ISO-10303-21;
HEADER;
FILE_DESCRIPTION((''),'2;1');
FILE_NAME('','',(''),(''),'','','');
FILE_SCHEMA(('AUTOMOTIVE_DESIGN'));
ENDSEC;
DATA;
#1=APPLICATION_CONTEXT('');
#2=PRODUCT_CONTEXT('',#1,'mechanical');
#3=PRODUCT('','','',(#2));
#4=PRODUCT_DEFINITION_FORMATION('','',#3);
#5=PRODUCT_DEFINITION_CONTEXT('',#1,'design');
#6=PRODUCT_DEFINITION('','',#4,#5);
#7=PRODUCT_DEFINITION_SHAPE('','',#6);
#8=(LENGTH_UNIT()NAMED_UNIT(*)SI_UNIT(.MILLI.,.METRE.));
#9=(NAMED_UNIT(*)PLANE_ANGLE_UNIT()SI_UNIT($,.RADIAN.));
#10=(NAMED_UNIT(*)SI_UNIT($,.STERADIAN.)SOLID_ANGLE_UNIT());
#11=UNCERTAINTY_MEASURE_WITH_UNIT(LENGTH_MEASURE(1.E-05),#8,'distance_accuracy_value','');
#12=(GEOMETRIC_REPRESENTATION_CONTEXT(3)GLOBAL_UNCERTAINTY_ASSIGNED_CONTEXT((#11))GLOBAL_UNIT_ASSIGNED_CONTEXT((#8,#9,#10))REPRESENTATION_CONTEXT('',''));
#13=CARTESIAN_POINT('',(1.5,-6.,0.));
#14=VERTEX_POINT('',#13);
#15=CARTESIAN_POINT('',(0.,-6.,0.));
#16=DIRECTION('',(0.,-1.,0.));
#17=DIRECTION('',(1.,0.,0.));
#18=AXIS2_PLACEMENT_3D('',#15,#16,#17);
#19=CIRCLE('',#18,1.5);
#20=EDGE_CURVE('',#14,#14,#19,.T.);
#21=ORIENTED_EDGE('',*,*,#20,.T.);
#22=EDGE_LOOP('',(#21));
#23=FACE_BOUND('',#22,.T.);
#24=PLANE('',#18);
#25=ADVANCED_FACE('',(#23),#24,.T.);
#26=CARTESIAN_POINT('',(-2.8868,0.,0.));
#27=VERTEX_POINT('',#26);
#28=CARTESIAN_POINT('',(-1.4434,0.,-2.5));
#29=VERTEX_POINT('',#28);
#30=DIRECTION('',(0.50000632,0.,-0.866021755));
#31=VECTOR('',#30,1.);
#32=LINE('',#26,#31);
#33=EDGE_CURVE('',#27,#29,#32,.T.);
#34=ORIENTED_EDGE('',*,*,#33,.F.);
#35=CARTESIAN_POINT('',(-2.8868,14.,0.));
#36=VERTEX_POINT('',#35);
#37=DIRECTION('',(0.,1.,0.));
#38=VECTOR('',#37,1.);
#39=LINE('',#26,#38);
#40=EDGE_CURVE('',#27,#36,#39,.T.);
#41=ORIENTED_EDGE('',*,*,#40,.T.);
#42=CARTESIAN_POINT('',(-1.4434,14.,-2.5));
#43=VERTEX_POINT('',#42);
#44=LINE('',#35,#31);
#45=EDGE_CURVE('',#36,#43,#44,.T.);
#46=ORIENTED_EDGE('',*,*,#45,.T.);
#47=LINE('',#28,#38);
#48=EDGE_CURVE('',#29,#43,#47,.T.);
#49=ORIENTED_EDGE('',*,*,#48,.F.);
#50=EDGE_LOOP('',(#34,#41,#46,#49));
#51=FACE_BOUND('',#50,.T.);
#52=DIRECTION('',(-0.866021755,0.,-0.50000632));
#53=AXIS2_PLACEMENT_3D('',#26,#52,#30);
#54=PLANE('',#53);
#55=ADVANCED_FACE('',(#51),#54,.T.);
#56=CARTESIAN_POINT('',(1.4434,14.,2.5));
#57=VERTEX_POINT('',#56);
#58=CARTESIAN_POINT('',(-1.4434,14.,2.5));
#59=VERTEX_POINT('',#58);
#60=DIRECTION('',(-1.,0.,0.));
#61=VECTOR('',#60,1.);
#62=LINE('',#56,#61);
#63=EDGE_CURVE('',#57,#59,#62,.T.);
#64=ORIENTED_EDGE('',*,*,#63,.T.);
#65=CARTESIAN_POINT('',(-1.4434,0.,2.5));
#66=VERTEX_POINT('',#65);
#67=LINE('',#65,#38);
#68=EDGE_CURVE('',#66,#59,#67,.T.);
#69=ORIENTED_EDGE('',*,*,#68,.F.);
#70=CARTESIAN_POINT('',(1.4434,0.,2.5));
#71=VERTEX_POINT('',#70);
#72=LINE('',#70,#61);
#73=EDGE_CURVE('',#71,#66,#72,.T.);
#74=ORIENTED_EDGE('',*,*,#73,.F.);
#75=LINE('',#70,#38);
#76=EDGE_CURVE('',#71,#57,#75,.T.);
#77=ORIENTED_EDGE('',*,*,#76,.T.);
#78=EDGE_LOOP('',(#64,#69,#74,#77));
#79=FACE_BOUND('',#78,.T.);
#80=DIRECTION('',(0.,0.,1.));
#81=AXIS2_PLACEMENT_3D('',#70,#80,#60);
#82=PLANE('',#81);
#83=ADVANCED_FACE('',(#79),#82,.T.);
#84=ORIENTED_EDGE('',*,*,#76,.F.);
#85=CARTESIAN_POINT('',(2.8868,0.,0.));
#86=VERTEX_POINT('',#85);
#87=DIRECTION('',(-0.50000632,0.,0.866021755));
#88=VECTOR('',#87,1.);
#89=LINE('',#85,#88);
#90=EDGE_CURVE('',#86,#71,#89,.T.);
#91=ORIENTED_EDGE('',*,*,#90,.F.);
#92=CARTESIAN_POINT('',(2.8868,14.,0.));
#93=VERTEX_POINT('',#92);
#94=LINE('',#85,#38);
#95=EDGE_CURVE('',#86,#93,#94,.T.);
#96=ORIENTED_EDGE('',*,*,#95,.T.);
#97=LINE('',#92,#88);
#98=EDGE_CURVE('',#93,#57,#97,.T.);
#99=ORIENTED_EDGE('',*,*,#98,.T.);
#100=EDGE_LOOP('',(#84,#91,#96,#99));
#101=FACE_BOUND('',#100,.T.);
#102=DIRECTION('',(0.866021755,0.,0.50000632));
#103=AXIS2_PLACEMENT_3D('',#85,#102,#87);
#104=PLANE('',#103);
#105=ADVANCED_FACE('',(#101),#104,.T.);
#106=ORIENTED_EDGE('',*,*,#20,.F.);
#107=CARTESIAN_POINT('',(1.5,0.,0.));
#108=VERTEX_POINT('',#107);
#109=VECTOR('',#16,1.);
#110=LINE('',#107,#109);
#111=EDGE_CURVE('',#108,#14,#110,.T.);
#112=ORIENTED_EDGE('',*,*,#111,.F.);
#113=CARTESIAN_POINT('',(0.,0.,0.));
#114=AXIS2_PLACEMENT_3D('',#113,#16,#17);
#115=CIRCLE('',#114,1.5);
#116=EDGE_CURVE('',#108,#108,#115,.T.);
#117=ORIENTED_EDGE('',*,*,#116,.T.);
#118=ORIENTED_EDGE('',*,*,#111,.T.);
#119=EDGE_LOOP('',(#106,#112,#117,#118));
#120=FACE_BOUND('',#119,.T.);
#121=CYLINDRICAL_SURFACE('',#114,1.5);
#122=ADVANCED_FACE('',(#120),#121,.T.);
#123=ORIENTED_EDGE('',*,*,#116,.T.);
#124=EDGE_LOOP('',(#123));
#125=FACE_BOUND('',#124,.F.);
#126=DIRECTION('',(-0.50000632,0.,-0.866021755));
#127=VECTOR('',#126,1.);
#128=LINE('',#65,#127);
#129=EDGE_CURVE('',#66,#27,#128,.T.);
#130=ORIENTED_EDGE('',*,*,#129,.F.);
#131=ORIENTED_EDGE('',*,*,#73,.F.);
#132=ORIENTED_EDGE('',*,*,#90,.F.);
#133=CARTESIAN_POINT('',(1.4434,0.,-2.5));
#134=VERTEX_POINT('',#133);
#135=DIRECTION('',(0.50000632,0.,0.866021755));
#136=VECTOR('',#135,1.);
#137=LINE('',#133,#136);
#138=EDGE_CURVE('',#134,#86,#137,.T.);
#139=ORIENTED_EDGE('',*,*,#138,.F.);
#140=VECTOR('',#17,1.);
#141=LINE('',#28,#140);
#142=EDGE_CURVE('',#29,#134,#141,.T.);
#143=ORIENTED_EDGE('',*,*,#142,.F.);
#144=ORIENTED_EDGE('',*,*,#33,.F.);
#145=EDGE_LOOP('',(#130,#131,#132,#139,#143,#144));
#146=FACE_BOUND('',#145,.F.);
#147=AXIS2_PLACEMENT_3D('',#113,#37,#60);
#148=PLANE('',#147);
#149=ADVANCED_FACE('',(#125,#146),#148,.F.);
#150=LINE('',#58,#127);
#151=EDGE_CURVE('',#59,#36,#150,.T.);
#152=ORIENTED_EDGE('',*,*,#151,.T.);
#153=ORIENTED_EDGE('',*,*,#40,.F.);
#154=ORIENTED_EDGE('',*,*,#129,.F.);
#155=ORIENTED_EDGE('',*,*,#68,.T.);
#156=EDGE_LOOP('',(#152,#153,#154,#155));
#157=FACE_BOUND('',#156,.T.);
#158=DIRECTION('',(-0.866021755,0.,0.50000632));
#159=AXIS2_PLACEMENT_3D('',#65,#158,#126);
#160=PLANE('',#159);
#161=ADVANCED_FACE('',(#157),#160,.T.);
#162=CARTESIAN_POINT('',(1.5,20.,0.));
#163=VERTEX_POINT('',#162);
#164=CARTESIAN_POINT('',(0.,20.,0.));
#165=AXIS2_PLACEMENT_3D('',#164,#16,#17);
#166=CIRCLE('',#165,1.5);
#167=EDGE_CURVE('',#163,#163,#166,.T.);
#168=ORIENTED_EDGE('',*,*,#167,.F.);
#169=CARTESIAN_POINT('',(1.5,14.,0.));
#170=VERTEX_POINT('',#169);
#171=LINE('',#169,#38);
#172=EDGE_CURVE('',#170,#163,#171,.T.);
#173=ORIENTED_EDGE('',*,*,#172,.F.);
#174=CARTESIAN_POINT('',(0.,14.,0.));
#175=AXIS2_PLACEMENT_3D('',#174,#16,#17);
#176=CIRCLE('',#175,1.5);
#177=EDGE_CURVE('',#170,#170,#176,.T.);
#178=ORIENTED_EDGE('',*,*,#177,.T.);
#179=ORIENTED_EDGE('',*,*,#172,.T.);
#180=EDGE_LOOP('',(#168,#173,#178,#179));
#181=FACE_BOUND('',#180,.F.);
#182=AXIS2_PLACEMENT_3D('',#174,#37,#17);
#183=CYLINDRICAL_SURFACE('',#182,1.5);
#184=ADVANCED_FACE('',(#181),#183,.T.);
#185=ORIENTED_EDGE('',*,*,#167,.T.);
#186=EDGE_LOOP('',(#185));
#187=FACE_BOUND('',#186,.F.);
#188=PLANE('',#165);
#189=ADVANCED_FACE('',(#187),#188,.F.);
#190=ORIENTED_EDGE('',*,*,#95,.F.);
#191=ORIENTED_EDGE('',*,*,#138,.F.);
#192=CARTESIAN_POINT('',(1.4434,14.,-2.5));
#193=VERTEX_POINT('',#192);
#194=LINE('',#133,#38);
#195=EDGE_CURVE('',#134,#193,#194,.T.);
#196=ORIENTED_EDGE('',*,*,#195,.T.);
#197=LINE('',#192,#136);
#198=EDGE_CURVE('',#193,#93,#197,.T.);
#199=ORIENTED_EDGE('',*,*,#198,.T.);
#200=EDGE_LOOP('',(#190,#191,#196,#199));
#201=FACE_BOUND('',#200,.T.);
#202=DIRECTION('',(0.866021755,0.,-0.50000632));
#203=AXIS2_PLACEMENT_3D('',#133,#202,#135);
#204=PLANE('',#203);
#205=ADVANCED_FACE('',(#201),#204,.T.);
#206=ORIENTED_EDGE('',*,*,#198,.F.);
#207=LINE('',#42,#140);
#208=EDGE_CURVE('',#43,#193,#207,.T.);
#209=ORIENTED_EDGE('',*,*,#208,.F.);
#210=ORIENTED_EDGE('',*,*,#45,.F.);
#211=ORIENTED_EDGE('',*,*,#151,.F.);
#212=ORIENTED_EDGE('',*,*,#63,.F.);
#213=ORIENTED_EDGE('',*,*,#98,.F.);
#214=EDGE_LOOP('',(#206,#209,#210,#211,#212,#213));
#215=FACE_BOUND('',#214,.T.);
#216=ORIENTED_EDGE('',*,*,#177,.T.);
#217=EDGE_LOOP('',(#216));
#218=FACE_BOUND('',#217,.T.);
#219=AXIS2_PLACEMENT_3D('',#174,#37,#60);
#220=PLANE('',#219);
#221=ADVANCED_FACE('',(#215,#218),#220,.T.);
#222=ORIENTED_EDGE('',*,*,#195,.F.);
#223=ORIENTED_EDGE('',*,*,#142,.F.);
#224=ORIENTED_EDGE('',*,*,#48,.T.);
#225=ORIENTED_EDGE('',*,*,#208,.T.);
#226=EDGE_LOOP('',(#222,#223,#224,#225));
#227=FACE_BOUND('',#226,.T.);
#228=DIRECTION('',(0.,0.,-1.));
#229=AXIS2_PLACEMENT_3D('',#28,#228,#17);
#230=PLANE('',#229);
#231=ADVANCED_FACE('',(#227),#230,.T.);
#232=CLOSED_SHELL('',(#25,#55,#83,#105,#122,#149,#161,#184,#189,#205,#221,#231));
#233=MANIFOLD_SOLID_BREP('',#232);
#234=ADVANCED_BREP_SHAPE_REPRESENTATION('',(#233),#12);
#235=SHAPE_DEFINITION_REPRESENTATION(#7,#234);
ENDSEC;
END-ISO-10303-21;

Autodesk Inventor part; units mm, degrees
ref_plane "YZ Plane" through (0, 0, 0) normal (1, 0, 0) x (0, 1, 0)
ref_plane "XZ Plane" through (0, 0, 0) normal (0, 1, 0) x (-1, 0, 0)
ref_plane "XY Plane" through (0, 0, 0) normal (0, 0, 1) x (1, 0, 0)
sketch "草圖2" plane through (0, 0, 0) normal (0, 1, 0) x (-1, 0, 0)
  line L0 (-2.8868, 0) -> (-1.4434, 2.5)
  line L1 (-1.4434, 2.5) -> (1.4434, 2.5)
  line L2 (1.4434, 2.5) -> (2.8868, 0)
  line L3 (2.8868, 0) -> (1.4434, -2.5)
  line L4 (1.4434, -2.5) -> (-1.4434, -2.5)
  line L5 (-1.4434, -2.5) -> (-2.8868, 0)
  point P0 (0, 0)
  point P1 (0, 0)
  dimension "d2" = 5
extrude "擠出1" add sketch "草圖2" along normal blind 14
sketch "草圖3" plane through (0, 0, 0) normal (0, 0, 1) x (1, 0, 0)
  line L0 (1.4434, 14) -> (-1.4434, 14) projected
  line L1 (0, 14) -> (1.5, 14)
  line L2 (1.5, 14) -> (1.5, 20)
  line L3 (1.5, 20) -> (0, 20)
  line L4 (0, 20) -> (0, 14)
  line L5 (0, 17.268) -> (0, -3.3114)
  line L6 (0, 0) -> (1.5, 0)
  line L7 (1.5, 0) -> (1.5, -6)
  line L8 (1.5, -6) -> (0, -6)
  line L9 (0, -6) -> (0, 0)
  point P0 (0.75, 20)
  dimension "d5" = 3
  dimension "d6" = 6
  dimension "d8" = 6
revolve "迴轉1" add sketch "草圖3" angle 360 about axis through (0, 17.268, 0) along (0, -1, 0)
properties part number "copper_pillar_M3_L15" material "Copper"
